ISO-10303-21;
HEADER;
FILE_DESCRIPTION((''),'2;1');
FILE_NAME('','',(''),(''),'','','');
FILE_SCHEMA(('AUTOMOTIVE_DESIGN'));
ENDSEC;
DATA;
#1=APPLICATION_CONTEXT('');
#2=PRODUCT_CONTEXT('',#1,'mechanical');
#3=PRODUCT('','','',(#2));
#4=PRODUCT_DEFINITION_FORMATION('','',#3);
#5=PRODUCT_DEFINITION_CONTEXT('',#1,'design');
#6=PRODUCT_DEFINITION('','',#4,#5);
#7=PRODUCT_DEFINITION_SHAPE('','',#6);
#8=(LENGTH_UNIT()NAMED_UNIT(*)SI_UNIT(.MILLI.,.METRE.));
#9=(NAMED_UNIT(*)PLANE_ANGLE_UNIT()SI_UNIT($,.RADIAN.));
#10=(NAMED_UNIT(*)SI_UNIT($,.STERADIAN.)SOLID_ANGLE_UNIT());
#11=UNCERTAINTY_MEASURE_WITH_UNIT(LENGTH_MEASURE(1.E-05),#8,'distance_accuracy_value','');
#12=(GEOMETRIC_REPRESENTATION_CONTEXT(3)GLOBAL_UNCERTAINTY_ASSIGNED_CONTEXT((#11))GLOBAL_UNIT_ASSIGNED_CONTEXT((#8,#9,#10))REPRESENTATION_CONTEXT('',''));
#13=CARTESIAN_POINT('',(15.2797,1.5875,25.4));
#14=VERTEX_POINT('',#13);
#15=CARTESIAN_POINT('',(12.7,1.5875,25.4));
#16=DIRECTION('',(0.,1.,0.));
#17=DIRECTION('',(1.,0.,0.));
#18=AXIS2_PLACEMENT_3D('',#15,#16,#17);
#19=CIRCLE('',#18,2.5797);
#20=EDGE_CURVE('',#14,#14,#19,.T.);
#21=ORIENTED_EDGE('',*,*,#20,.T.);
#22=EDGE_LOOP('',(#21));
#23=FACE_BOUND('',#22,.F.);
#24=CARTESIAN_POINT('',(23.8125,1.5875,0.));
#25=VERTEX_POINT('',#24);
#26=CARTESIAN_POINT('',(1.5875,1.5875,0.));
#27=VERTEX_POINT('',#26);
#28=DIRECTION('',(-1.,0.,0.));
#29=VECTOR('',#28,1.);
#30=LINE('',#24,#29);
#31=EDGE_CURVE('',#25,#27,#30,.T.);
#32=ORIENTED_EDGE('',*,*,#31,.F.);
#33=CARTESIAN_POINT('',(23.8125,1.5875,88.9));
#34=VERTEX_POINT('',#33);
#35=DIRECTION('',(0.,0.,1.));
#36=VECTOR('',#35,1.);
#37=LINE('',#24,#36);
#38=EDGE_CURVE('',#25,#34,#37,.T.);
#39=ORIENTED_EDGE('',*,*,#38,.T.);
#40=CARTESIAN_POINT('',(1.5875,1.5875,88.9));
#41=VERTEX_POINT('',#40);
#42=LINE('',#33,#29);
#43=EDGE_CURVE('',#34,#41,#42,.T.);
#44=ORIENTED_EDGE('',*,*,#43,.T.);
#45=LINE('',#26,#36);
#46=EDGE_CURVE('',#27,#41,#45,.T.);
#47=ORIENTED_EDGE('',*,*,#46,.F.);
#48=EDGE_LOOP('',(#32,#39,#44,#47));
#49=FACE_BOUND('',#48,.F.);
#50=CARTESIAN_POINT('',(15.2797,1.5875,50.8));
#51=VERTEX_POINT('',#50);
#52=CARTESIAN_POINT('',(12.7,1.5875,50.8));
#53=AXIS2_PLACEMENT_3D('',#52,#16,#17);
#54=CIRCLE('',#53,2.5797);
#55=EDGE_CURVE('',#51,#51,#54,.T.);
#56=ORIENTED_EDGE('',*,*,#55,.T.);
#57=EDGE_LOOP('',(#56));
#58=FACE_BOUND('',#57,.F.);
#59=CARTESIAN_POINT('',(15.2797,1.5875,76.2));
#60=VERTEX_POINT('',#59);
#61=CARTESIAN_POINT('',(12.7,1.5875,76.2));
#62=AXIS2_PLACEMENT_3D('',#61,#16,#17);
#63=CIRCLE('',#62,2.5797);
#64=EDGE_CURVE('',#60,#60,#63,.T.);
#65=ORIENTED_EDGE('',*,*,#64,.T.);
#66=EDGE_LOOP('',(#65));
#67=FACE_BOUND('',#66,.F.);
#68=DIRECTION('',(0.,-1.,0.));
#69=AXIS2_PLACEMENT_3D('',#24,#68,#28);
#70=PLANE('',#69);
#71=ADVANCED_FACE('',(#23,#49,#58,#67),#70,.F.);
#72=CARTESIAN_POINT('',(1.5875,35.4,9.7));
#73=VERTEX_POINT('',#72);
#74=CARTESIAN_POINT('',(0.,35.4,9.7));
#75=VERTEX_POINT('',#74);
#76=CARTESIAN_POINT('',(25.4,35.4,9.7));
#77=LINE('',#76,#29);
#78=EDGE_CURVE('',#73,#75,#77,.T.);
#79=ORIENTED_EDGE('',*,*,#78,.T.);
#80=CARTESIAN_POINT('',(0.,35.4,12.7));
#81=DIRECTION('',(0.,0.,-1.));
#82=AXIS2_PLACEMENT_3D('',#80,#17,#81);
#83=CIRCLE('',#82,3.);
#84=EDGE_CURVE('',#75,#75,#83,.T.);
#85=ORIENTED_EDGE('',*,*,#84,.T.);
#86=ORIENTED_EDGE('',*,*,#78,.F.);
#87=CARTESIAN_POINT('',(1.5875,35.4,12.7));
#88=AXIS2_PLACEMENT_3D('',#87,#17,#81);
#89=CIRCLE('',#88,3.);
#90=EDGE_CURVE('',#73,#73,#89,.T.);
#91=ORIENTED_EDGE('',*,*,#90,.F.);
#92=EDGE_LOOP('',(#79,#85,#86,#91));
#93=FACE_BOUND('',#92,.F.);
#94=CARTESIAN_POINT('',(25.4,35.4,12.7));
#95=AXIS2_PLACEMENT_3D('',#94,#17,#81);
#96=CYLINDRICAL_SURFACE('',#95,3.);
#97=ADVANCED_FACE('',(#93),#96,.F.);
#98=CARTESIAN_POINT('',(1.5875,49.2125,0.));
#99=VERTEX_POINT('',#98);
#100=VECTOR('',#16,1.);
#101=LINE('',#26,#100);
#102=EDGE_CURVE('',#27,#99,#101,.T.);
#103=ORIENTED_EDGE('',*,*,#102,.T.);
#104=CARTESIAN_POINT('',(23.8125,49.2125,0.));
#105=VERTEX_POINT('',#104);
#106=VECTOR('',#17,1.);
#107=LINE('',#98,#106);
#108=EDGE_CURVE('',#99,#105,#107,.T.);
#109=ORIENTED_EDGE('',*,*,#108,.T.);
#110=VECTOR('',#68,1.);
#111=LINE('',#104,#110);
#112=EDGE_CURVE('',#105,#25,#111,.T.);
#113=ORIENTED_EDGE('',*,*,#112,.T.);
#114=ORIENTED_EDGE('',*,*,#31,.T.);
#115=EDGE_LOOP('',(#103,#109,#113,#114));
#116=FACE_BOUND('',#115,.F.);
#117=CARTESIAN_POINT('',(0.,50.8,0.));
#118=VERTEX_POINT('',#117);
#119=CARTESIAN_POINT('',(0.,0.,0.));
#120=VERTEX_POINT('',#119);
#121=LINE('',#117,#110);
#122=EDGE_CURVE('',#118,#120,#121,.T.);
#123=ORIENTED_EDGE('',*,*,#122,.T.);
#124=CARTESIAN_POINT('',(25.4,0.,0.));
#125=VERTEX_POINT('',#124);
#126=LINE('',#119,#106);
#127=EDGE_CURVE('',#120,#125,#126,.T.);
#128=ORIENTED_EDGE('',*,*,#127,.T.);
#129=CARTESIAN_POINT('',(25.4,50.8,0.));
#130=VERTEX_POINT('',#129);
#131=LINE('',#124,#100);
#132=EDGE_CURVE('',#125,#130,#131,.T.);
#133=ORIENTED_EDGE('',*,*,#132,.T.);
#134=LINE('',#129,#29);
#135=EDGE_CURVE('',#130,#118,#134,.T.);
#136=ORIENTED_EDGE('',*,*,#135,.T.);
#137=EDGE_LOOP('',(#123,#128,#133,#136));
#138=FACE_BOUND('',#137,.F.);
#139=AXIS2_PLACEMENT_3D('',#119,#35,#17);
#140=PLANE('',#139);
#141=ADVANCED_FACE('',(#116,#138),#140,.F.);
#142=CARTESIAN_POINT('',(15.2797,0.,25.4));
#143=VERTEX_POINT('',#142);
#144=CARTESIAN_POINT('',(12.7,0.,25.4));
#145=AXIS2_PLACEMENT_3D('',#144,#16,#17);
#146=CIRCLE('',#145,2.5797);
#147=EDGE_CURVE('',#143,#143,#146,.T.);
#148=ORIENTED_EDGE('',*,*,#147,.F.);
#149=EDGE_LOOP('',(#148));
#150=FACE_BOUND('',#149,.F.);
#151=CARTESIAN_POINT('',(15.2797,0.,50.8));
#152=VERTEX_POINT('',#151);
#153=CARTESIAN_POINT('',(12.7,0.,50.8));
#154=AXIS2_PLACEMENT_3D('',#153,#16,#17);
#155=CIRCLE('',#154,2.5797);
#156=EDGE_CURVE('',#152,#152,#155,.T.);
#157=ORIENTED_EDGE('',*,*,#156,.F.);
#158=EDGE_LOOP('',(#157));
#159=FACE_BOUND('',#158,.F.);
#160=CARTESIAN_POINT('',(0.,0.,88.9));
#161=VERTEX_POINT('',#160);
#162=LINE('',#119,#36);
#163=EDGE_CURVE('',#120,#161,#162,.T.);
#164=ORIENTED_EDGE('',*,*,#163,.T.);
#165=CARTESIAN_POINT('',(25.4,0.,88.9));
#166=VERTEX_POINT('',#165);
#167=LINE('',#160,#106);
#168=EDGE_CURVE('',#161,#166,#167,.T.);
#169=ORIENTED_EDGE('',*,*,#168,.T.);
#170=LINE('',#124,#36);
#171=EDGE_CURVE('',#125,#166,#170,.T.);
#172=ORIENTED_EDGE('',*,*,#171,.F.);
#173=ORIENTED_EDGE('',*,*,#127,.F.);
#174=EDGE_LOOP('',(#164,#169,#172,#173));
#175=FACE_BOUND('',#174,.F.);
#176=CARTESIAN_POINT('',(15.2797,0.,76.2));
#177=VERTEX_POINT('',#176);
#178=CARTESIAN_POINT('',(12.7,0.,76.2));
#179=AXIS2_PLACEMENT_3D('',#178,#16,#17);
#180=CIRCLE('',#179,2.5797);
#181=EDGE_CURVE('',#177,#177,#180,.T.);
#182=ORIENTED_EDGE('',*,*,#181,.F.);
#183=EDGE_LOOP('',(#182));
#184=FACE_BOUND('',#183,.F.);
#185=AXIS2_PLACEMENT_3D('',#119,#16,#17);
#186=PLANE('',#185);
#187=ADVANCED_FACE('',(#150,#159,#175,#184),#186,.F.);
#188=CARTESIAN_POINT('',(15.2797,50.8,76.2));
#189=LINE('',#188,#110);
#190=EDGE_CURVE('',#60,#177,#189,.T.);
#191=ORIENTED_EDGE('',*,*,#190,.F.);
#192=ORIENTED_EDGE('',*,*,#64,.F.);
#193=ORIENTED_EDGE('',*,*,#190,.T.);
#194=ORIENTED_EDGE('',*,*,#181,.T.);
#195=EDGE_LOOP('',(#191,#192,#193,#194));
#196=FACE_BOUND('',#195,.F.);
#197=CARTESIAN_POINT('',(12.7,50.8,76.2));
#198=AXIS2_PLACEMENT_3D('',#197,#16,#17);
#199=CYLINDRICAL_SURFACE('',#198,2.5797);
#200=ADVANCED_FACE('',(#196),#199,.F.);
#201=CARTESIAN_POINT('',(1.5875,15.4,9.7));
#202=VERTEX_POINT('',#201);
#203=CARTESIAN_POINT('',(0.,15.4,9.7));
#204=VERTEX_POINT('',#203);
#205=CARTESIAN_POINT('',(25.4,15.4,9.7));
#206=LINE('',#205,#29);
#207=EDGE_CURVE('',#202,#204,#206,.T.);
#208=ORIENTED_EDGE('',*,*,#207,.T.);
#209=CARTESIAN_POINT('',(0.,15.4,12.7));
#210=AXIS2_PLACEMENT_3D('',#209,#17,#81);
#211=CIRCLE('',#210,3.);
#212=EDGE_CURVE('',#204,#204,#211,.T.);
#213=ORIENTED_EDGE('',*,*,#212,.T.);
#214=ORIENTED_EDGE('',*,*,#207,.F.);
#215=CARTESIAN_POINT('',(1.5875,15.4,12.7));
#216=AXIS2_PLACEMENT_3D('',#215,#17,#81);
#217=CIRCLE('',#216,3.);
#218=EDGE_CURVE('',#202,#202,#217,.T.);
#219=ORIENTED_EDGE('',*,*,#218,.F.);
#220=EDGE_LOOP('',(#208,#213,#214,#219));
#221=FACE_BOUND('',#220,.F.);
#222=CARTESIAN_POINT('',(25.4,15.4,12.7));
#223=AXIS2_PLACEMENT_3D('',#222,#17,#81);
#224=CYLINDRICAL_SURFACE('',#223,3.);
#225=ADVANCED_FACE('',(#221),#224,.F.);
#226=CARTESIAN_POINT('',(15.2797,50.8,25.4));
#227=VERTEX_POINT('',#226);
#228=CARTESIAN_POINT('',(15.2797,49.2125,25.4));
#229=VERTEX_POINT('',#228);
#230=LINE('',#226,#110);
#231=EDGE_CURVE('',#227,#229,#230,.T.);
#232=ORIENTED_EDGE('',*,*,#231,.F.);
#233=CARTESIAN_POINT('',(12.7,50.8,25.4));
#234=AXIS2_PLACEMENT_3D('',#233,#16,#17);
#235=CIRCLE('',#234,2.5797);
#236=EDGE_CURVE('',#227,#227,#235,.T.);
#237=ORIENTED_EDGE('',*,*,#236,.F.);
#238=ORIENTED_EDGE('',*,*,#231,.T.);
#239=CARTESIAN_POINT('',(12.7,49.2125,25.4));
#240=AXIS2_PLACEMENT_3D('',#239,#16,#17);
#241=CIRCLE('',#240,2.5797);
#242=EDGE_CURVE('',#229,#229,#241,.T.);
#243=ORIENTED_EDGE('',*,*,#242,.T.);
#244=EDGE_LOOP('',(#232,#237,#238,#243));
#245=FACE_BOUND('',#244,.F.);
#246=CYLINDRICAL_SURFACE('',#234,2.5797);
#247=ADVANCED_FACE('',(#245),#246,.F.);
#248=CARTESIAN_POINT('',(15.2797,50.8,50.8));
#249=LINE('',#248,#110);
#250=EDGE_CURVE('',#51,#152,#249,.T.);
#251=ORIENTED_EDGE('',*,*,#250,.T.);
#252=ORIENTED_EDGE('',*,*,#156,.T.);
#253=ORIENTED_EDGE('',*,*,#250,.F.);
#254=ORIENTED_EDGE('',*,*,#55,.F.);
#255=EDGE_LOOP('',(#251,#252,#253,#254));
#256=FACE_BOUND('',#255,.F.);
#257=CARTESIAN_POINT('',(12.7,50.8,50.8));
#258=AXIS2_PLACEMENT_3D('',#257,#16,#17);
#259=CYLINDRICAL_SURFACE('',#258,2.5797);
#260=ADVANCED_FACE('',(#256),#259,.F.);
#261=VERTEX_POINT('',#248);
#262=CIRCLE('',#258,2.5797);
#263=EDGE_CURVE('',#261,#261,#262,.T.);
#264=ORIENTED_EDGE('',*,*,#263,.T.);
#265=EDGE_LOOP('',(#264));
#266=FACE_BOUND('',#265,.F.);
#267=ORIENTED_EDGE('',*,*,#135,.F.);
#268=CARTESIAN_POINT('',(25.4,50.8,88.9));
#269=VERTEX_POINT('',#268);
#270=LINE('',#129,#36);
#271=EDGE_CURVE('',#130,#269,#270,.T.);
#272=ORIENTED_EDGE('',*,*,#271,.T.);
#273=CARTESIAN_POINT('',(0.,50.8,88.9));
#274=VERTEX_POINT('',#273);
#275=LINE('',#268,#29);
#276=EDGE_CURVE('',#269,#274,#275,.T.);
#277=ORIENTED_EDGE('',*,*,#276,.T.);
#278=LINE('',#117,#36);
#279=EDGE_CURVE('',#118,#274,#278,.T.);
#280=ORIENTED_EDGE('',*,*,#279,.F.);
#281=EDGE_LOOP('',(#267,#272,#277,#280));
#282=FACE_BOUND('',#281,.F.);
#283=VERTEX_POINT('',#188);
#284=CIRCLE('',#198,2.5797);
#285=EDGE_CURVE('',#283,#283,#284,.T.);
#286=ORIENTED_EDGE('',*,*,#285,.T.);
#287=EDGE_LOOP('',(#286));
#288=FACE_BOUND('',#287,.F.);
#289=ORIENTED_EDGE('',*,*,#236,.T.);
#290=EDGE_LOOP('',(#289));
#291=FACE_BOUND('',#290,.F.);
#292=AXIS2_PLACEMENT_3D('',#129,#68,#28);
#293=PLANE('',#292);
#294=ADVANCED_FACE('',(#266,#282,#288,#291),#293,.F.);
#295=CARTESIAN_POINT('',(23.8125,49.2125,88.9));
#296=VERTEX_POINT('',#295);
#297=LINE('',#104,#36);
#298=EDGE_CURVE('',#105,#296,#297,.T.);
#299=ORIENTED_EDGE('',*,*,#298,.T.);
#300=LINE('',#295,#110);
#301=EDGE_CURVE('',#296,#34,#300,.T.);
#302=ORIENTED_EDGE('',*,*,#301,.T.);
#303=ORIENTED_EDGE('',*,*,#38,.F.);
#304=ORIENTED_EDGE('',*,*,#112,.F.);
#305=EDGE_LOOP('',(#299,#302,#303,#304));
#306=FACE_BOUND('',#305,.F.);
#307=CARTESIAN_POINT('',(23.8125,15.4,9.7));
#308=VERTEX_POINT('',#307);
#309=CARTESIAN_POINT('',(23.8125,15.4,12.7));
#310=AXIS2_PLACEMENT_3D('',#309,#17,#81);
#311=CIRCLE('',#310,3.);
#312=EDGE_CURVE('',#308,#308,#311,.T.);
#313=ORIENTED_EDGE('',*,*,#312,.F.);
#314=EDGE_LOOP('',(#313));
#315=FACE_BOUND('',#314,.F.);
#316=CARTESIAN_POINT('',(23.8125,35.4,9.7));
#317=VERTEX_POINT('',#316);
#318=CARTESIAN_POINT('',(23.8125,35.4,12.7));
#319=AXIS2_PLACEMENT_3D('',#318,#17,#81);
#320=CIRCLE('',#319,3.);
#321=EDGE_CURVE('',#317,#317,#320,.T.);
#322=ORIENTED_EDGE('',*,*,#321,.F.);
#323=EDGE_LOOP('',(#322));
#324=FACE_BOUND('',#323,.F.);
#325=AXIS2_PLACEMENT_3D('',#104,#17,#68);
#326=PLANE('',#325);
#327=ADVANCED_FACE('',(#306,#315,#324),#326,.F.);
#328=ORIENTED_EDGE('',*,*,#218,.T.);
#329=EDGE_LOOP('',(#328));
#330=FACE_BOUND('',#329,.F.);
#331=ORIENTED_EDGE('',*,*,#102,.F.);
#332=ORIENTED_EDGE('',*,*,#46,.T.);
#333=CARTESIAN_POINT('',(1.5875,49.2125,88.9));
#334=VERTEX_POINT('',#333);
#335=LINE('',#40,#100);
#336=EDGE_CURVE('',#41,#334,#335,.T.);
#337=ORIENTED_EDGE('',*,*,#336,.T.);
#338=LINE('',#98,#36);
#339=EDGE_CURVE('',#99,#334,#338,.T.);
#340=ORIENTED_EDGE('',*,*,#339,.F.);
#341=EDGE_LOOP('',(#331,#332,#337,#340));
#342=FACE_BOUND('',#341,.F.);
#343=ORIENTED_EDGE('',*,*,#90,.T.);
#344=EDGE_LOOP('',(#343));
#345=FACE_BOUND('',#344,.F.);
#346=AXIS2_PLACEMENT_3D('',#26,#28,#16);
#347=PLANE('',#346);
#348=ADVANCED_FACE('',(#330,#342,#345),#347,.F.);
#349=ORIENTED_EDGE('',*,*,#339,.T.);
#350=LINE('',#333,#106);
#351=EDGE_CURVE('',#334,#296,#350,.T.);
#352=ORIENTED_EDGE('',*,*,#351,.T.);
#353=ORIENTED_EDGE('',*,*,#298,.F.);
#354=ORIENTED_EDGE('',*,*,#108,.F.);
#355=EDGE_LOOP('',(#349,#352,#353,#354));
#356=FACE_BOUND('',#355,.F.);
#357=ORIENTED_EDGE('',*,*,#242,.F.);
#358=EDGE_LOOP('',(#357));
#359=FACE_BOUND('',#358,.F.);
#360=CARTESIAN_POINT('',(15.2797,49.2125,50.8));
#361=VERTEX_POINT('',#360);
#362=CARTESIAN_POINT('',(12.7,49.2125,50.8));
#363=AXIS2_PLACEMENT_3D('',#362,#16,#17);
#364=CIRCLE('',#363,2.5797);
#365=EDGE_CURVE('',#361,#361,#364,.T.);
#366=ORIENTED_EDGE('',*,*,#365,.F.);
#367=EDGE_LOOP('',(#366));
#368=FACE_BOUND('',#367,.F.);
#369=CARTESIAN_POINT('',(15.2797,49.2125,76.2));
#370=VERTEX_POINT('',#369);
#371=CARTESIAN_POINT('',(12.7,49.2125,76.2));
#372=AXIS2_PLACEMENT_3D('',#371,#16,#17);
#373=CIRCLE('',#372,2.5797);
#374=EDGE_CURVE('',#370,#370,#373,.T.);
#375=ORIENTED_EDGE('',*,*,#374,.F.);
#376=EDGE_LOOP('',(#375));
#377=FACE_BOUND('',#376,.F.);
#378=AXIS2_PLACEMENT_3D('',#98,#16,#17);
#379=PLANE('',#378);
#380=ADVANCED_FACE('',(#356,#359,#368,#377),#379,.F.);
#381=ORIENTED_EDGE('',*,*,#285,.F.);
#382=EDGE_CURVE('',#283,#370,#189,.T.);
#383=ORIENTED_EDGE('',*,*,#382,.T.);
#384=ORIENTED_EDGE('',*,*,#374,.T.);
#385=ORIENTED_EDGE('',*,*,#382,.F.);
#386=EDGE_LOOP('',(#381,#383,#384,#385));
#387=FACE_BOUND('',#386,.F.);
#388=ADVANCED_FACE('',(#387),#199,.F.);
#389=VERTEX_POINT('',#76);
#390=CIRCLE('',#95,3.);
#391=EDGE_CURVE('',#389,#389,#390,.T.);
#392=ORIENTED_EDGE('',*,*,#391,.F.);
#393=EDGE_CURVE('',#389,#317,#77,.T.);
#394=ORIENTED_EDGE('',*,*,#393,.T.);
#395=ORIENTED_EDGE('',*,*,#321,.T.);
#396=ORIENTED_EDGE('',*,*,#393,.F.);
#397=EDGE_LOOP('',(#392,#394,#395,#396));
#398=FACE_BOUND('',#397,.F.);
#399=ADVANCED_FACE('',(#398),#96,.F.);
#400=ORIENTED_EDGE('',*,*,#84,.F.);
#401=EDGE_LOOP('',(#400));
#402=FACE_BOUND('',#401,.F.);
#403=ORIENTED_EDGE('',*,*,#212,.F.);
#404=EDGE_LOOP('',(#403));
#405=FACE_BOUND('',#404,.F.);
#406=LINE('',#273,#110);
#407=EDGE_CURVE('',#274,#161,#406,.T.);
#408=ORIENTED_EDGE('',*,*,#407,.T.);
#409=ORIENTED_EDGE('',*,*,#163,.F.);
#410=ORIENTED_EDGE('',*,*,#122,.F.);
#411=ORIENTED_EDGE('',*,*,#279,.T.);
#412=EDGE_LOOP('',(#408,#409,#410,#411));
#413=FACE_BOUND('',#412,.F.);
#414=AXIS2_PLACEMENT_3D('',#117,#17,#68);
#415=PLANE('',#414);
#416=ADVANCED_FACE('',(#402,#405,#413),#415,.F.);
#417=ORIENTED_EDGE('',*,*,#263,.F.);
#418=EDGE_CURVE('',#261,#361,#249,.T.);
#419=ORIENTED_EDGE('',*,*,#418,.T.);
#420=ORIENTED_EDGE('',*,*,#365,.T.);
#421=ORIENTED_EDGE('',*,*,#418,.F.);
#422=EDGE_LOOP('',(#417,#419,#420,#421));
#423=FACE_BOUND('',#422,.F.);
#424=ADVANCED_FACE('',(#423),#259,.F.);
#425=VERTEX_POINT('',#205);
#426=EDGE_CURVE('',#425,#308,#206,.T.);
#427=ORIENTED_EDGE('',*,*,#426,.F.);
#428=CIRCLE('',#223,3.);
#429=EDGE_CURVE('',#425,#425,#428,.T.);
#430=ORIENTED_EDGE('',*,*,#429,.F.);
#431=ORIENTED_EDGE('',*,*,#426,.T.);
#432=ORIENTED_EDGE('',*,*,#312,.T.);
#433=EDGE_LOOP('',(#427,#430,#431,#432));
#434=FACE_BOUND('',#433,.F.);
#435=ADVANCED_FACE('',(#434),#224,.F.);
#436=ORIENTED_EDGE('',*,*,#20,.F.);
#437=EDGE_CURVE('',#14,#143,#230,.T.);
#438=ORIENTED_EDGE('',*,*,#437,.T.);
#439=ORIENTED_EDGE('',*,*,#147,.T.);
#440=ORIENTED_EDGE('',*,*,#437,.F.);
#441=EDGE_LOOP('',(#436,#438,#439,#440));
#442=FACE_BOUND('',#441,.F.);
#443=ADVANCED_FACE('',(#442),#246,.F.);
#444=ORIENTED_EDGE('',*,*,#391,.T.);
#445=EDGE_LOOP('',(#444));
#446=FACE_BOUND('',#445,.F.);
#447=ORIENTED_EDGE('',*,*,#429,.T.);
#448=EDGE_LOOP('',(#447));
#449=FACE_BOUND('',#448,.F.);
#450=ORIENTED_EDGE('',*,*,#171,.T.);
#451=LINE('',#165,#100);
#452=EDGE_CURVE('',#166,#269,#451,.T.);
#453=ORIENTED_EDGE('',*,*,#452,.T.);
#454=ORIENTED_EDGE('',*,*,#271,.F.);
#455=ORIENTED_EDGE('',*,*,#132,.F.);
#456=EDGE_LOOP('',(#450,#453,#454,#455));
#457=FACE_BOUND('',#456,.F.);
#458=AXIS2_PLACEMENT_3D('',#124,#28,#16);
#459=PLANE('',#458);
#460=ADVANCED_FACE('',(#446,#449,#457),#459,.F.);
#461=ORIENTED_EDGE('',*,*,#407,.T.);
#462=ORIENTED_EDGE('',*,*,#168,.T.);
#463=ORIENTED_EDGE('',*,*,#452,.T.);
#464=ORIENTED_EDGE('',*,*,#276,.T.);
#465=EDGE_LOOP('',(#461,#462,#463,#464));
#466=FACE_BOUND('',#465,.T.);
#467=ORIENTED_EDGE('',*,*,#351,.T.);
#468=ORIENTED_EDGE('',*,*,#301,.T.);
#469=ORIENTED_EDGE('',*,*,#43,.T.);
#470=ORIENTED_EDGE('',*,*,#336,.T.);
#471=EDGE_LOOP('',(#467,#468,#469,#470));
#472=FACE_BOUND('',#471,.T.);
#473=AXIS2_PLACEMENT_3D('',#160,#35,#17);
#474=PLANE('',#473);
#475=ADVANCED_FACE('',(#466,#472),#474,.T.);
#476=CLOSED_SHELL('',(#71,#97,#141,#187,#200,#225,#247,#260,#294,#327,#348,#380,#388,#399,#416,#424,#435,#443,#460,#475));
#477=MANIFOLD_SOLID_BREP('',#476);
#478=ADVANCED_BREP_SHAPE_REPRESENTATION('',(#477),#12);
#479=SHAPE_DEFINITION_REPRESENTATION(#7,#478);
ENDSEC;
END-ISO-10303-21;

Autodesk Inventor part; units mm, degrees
ref_plane "YZ Plane" through (0, 0, 0) normal (1, 0, 0) x (0, 1, 0)
ref_plane "XZ Plane" through (0, 0, 0) normal (0, 1, 0) x (-1, 0, 0)
ref_plane "XY Plane" through (0, 0, 0) normal (0, 0, 1) x (1, 0, 0)
sketch "Sketch1" plane through (0, 0, 0) normal (0, 0, 1) x (1, 0, 0)
  line L0 (0, 0) -> (25.4, 0)
  line L1 (25.4, 0) -> (25.4, 50.8)
  line L2 (25.4, 50.8) -> (0, 50.8)
  line L3 (0, 50.8) -> (0, 0)
  line L4 (1.5875, 49.2125) -> (23.8125, 49.2125)
  line L5 (23.8125, 49.2125) -> (23.8125, 1.5875)
  line L6 (23.8125, 1.5875) -> (1.5875, 1.5875)
  line L7 (1.5875, 1.5875) -> (1.5875, 49.2125)
  dimension "d0" = 25.4
  dimension "d1" = 50.8
  dimension "d2" = 1.5875
extrude "Extrusion1" add sketch "Sketch1" along normal blind 88.9
sketch "Sketch2" plane through (25.4, 0, 0) normal (1, 0, 0) x (0, 0, -1)
  line L0 (0, 0) -> (0, 50.8) construction
  line L1 (0, 50.8) -> (-12.7, 50.8) construction
  line L2 (0, 50.8) -> (-88.9, 50.8) construction
  line L3 (0, 25.4) -> (-12.7, 25.4) construction
  line L4 (-12.7, 25.4) -> (-12.7, 35.4) construction
  line L5 (-12.7, 35.4) -> (-12.7, 15.4) construction
  circle A0 centre (-12.7, 35.4) radius 3
  circle A1 centre (-12.7, 15.4) radius 3
  dimension "d5" = 12.7
  dimension "d6" = 10
  dimension "d7" = 20
  dimension "d8" = 6
extrude "Extrusion2" cut sketch "Sketch2" against normal blind 88.9
sketch "Sketch3" plane through (0, 50.8, 0) normal (0, 1, 0) x (1, 0, 0)
  line L0 (1.5875, -88.9) -> (23.8125, -88.9) construction
  line L1 (12.7, -88.9) -> (12.7, -76.2) construction
  line L2 (12.7, -76.2) -> (12.7, -50.8) construction
  line L3 (12.7, -50.8) -> (12.7, -25.4) construction
  circle A0 centre (12.7, -76.2) radius 2.5797
  circle A1 centre (12.7, -50.8) radius 2.5797
  circle A2 centre (12.7, -25.4) radius 2.5797
  point P0 (0, 0)
  dimension "d11" = 12.7
  dimension "d12" = 25.4
  dimension "d13" = 25.4
  dimension "d14" = 5.1594
extrude "Extrusion3" cut sketch "Sketch3" against normal blind 88.9
properties part number "Bumper attachment frame"
